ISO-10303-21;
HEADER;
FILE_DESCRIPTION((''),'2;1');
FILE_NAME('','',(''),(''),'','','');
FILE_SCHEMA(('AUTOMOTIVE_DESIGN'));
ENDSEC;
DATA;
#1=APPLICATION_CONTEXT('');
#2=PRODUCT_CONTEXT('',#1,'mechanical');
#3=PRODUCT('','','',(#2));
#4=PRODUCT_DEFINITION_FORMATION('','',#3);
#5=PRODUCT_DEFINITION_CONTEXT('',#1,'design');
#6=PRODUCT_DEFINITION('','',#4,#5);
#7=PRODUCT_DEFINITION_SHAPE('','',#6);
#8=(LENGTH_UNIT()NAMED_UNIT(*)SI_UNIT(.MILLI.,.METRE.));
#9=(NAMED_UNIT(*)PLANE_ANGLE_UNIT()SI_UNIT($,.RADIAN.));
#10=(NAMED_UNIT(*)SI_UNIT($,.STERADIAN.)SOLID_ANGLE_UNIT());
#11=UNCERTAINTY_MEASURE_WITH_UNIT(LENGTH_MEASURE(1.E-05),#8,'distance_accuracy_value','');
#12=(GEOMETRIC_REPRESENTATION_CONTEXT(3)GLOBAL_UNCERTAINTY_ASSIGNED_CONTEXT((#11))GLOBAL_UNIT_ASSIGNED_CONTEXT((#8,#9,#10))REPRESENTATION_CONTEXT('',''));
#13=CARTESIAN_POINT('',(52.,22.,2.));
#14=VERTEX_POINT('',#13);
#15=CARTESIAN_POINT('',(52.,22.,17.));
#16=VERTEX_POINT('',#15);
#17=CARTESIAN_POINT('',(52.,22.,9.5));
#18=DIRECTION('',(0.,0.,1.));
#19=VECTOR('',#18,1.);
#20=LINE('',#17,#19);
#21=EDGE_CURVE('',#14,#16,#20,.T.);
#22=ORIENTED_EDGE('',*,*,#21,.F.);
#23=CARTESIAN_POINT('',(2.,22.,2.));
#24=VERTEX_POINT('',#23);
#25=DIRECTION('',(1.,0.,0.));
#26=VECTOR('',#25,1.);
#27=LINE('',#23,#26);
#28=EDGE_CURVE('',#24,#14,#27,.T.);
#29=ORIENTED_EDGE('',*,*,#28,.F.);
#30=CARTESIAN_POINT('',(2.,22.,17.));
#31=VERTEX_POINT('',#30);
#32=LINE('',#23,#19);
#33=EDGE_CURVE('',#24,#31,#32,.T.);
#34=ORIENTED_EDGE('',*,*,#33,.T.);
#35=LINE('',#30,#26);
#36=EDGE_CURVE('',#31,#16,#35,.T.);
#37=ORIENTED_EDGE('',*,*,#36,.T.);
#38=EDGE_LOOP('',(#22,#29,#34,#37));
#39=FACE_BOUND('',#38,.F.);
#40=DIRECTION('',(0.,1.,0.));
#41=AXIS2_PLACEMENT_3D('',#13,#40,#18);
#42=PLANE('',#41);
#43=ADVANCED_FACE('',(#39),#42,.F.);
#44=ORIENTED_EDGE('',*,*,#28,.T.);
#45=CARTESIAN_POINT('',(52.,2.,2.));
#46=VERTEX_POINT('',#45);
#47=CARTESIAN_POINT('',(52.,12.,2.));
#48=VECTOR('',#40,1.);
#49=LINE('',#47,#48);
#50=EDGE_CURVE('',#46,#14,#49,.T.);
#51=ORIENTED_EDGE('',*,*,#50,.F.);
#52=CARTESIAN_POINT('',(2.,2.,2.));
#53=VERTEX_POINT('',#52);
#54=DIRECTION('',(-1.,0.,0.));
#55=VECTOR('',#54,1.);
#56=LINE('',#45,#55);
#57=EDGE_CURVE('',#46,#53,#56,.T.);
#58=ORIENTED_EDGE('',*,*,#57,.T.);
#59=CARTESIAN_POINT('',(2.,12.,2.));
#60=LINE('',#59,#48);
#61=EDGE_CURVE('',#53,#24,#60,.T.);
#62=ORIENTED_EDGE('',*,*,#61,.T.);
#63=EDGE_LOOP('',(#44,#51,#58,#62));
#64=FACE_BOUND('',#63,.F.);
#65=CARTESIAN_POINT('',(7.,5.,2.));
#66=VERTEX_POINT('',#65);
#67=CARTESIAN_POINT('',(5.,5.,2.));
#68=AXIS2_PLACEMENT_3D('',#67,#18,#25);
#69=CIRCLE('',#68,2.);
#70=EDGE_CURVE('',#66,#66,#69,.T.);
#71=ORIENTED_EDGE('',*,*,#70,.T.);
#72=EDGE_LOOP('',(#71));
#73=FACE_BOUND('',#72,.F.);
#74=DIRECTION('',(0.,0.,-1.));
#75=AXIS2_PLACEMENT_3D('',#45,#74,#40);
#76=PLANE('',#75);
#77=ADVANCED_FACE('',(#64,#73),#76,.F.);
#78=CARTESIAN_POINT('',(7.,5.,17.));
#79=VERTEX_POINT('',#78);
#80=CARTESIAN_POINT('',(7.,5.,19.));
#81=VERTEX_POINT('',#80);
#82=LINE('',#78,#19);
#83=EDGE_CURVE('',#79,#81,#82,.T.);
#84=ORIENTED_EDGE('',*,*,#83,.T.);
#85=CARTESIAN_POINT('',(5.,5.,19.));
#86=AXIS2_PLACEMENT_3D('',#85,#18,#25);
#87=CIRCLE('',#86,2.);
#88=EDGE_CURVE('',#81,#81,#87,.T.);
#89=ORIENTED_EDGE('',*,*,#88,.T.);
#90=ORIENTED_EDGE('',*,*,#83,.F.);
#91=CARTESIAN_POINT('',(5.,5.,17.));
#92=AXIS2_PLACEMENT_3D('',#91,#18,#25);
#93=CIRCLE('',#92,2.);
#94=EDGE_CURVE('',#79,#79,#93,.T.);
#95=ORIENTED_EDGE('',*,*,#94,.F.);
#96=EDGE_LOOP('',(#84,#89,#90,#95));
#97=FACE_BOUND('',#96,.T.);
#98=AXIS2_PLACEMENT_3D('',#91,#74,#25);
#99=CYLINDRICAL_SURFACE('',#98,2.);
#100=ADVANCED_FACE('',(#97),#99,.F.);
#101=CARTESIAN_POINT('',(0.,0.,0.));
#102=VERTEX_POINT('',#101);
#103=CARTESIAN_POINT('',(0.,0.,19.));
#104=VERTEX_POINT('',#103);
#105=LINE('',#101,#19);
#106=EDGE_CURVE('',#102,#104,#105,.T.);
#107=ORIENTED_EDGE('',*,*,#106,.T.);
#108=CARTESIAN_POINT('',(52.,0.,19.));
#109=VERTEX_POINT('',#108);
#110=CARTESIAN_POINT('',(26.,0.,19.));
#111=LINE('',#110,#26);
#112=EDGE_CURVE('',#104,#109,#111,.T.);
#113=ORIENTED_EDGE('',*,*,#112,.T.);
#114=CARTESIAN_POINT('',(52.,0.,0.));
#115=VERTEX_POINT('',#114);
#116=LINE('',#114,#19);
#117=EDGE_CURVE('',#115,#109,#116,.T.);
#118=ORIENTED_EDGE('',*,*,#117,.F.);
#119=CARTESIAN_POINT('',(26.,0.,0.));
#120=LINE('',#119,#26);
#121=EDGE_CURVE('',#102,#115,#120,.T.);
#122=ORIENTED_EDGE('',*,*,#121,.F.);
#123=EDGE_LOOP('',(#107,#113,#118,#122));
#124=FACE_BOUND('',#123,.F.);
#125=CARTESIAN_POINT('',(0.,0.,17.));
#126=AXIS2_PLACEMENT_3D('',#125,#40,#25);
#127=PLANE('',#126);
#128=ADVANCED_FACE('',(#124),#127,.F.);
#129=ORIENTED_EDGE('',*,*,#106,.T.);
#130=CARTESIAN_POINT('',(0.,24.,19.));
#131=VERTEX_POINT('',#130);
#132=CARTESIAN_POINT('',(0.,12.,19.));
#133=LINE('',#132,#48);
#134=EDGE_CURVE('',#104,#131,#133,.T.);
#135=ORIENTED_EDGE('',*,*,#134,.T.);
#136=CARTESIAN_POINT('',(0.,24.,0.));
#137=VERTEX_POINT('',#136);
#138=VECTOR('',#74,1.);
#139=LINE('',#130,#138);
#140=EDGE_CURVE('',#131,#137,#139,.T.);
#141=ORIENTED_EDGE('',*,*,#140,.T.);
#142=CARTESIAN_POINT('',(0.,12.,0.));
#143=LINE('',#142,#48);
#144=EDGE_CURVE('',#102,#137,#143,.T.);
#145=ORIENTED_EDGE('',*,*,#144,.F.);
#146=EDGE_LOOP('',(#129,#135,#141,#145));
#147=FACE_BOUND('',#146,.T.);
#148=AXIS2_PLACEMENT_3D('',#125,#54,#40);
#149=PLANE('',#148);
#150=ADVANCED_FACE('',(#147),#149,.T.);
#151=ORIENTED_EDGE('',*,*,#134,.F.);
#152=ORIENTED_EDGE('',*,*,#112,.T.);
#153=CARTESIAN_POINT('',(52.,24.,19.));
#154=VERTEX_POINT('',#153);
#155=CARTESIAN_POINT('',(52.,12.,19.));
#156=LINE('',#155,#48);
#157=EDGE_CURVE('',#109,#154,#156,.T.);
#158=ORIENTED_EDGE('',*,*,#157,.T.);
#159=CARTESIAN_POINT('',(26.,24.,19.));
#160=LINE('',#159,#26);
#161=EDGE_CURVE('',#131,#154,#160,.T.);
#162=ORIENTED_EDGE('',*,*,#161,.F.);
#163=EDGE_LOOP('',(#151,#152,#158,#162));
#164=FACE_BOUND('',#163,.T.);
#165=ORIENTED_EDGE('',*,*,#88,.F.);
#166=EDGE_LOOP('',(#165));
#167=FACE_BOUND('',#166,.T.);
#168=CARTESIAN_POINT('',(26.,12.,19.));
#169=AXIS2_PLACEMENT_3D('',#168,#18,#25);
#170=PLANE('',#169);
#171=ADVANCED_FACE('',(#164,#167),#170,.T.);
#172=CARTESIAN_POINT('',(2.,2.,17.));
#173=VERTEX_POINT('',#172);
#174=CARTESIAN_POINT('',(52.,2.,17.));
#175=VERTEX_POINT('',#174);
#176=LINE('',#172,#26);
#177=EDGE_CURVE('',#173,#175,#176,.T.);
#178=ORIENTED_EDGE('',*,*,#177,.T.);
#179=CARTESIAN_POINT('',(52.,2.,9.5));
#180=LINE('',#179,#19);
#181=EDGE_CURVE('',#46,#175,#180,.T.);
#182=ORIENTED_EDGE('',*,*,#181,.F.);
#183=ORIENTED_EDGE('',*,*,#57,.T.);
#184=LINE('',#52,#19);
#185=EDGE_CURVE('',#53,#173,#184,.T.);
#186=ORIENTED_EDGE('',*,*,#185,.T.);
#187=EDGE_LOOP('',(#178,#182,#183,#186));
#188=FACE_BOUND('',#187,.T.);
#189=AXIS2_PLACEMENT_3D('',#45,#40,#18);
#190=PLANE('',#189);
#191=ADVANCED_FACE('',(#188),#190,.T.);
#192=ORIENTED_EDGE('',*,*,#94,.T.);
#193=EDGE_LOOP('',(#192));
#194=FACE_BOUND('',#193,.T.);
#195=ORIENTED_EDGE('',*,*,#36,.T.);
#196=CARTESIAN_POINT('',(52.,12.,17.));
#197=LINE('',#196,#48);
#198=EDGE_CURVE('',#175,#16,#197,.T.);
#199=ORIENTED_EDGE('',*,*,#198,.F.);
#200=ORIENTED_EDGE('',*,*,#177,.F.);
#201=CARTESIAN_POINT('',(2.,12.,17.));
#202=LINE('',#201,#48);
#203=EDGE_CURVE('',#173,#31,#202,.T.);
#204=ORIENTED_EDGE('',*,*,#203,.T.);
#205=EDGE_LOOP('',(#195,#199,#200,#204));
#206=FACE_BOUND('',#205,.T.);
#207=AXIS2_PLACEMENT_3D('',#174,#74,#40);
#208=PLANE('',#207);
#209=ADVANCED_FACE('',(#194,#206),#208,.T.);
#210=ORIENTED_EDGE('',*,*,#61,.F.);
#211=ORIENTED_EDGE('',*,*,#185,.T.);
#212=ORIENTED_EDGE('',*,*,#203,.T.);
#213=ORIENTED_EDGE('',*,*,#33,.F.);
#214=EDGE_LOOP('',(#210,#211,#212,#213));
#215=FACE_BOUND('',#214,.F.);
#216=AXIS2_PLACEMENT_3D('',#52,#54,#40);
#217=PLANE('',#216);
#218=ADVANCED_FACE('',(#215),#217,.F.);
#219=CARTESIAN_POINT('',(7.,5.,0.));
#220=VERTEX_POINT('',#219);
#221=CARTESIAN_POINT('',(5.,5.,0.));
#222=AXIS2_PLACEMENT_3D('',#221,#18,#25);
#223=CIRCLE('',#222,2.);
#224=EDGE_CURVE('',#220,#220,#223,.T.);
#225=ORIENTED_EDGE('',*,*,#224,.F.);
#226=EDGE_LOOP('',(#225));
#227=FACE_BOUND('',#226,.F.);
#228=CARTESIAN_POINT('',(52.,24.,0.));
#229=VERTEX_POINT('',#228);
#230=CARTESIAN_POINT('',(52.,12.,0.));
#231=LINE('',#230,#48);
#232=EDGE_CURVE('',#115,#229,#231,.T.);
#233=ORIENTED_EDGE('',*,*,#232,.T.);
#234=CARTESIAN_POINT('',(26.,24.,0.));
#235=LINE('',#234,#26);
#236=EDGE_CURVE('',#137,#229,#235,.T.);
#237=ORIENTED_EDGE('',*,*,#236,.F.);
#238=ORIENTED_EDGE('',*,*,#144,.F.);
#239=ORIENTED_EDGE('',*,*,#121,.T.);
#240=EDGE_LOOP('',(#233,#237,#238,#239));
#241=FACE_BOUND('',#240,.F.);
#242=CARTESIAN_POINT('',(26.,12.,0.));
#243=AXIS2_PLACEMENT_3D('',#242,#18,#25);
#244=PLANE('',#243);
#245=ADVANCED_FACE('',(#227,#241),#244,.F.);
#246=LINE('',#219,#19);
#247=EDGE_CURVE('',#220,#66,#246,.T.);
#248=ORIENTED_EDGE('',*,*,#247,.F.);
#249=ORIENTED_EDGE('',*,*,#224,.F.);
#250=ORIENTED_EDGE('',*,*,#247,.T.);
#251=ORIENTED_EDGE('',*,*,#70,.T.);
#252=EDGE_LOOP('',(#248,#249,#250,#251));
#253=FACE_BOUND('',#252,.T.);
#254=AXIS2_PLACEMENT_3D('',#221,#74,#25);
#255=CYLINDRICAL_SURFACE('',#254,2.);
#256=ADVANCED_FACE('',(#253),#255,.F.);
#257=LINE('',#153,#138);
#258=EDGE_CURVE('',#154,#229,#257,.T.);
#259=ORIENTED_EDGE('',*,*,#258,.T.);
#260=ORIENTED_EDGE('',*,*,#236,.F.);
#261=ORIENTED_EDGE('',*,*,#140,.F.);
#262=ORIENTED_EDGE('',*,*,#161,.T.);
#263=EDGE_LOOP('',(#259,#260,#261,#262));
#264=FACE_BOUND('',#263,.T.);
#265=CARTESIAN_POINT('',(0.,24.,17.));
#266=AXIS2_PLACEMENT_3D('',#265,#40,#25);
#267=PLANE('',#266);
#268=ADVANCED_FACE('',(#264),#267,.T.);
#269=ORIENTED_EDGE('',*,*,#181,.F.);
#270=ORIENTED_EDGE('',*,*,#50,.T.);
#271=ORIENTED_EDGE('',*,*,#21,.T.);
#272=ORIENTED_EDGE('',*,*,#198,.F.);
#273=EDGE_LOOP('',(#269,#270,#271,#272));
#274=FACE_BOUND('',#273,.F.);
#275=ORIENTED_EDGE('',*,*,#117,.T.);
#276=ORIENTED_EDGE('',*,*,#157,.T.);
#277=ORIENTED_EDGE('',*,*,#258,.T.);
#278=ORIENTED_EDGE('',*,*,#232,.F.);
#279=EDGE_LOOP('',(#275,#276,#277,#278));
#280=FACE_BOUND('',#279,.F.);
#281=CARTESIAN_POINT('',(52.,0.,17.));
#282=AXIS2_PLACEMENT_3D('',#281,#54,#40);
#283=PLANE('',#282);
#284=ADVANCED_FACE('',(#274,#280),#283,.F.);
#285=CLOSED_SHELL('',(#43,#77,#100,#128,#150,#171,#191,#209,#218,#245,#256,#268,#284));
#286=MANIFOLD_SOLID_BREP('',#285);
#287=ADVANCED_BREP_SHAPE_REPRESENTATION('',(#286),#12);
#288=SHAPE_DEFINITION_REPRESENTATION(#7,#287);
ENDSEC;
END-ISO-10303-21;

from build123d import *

# Parameters (mm, degrees)
F0_W     = 52
F0_H     = 24
F0_R     = 2
F1_DEPTH = 2
F2_W     = 52
F2_H     = 24
F2_W_2   = 48
F2_H_2   = 20
F3_DEPTH = 15
F4_W     = 52
F4_H     = 24
F4_R     = 2
F5_DEPTH = 2
F6_W     = 20
F6_H     = 15
F7_DEPTH = 2


with BuildPart() as f1:
    # F0 (on Top) → F1 (new body)
    with BuildSketch(Plane.XY):
        with Locations((26, 12)):
            Rectangle(F0_W, F0_H)
        with Locations((5, 5)):
            Circle(F0_R, mode=Mode.SUBTRACT)
    extrude(amount=F1_DEPTH)

    # F2 (on face) → F3 (join)
    with BuildSketch(Plane.XY.offset(2)):
        with Locations((26, 12)):
            Rectangle(F2_W, F2_H)
        with Locations((26, 12)):
            Rectangle(F2_W_2, F2_H_2, mode=Mode.SUBTRACT)
    extrude(amount=F3_DEPTH)

    # F4 (on face) → F5 (join)
    with BuildSketch(Plane.XY.offset(17)):
        with Locations((26, 12)):
            Rectangle(F4_W, F4_H)
        with Locations((5, 5)):
            Circle(F4_R, mode=Mode.SUBTRACT)
    extrude(amount=F5_DEPTH)

    # F6 (on face) → F7 (cut, through all)
    with BuildSketch(Plane.YZ.offset(52)):
        with Locations((12, 9.5)):
            Rectangle(F6_W, F6_H)
    extrude(amount=-F7_DEPTH, mode=Mode.SUBTRACT)


solid = f1.part
